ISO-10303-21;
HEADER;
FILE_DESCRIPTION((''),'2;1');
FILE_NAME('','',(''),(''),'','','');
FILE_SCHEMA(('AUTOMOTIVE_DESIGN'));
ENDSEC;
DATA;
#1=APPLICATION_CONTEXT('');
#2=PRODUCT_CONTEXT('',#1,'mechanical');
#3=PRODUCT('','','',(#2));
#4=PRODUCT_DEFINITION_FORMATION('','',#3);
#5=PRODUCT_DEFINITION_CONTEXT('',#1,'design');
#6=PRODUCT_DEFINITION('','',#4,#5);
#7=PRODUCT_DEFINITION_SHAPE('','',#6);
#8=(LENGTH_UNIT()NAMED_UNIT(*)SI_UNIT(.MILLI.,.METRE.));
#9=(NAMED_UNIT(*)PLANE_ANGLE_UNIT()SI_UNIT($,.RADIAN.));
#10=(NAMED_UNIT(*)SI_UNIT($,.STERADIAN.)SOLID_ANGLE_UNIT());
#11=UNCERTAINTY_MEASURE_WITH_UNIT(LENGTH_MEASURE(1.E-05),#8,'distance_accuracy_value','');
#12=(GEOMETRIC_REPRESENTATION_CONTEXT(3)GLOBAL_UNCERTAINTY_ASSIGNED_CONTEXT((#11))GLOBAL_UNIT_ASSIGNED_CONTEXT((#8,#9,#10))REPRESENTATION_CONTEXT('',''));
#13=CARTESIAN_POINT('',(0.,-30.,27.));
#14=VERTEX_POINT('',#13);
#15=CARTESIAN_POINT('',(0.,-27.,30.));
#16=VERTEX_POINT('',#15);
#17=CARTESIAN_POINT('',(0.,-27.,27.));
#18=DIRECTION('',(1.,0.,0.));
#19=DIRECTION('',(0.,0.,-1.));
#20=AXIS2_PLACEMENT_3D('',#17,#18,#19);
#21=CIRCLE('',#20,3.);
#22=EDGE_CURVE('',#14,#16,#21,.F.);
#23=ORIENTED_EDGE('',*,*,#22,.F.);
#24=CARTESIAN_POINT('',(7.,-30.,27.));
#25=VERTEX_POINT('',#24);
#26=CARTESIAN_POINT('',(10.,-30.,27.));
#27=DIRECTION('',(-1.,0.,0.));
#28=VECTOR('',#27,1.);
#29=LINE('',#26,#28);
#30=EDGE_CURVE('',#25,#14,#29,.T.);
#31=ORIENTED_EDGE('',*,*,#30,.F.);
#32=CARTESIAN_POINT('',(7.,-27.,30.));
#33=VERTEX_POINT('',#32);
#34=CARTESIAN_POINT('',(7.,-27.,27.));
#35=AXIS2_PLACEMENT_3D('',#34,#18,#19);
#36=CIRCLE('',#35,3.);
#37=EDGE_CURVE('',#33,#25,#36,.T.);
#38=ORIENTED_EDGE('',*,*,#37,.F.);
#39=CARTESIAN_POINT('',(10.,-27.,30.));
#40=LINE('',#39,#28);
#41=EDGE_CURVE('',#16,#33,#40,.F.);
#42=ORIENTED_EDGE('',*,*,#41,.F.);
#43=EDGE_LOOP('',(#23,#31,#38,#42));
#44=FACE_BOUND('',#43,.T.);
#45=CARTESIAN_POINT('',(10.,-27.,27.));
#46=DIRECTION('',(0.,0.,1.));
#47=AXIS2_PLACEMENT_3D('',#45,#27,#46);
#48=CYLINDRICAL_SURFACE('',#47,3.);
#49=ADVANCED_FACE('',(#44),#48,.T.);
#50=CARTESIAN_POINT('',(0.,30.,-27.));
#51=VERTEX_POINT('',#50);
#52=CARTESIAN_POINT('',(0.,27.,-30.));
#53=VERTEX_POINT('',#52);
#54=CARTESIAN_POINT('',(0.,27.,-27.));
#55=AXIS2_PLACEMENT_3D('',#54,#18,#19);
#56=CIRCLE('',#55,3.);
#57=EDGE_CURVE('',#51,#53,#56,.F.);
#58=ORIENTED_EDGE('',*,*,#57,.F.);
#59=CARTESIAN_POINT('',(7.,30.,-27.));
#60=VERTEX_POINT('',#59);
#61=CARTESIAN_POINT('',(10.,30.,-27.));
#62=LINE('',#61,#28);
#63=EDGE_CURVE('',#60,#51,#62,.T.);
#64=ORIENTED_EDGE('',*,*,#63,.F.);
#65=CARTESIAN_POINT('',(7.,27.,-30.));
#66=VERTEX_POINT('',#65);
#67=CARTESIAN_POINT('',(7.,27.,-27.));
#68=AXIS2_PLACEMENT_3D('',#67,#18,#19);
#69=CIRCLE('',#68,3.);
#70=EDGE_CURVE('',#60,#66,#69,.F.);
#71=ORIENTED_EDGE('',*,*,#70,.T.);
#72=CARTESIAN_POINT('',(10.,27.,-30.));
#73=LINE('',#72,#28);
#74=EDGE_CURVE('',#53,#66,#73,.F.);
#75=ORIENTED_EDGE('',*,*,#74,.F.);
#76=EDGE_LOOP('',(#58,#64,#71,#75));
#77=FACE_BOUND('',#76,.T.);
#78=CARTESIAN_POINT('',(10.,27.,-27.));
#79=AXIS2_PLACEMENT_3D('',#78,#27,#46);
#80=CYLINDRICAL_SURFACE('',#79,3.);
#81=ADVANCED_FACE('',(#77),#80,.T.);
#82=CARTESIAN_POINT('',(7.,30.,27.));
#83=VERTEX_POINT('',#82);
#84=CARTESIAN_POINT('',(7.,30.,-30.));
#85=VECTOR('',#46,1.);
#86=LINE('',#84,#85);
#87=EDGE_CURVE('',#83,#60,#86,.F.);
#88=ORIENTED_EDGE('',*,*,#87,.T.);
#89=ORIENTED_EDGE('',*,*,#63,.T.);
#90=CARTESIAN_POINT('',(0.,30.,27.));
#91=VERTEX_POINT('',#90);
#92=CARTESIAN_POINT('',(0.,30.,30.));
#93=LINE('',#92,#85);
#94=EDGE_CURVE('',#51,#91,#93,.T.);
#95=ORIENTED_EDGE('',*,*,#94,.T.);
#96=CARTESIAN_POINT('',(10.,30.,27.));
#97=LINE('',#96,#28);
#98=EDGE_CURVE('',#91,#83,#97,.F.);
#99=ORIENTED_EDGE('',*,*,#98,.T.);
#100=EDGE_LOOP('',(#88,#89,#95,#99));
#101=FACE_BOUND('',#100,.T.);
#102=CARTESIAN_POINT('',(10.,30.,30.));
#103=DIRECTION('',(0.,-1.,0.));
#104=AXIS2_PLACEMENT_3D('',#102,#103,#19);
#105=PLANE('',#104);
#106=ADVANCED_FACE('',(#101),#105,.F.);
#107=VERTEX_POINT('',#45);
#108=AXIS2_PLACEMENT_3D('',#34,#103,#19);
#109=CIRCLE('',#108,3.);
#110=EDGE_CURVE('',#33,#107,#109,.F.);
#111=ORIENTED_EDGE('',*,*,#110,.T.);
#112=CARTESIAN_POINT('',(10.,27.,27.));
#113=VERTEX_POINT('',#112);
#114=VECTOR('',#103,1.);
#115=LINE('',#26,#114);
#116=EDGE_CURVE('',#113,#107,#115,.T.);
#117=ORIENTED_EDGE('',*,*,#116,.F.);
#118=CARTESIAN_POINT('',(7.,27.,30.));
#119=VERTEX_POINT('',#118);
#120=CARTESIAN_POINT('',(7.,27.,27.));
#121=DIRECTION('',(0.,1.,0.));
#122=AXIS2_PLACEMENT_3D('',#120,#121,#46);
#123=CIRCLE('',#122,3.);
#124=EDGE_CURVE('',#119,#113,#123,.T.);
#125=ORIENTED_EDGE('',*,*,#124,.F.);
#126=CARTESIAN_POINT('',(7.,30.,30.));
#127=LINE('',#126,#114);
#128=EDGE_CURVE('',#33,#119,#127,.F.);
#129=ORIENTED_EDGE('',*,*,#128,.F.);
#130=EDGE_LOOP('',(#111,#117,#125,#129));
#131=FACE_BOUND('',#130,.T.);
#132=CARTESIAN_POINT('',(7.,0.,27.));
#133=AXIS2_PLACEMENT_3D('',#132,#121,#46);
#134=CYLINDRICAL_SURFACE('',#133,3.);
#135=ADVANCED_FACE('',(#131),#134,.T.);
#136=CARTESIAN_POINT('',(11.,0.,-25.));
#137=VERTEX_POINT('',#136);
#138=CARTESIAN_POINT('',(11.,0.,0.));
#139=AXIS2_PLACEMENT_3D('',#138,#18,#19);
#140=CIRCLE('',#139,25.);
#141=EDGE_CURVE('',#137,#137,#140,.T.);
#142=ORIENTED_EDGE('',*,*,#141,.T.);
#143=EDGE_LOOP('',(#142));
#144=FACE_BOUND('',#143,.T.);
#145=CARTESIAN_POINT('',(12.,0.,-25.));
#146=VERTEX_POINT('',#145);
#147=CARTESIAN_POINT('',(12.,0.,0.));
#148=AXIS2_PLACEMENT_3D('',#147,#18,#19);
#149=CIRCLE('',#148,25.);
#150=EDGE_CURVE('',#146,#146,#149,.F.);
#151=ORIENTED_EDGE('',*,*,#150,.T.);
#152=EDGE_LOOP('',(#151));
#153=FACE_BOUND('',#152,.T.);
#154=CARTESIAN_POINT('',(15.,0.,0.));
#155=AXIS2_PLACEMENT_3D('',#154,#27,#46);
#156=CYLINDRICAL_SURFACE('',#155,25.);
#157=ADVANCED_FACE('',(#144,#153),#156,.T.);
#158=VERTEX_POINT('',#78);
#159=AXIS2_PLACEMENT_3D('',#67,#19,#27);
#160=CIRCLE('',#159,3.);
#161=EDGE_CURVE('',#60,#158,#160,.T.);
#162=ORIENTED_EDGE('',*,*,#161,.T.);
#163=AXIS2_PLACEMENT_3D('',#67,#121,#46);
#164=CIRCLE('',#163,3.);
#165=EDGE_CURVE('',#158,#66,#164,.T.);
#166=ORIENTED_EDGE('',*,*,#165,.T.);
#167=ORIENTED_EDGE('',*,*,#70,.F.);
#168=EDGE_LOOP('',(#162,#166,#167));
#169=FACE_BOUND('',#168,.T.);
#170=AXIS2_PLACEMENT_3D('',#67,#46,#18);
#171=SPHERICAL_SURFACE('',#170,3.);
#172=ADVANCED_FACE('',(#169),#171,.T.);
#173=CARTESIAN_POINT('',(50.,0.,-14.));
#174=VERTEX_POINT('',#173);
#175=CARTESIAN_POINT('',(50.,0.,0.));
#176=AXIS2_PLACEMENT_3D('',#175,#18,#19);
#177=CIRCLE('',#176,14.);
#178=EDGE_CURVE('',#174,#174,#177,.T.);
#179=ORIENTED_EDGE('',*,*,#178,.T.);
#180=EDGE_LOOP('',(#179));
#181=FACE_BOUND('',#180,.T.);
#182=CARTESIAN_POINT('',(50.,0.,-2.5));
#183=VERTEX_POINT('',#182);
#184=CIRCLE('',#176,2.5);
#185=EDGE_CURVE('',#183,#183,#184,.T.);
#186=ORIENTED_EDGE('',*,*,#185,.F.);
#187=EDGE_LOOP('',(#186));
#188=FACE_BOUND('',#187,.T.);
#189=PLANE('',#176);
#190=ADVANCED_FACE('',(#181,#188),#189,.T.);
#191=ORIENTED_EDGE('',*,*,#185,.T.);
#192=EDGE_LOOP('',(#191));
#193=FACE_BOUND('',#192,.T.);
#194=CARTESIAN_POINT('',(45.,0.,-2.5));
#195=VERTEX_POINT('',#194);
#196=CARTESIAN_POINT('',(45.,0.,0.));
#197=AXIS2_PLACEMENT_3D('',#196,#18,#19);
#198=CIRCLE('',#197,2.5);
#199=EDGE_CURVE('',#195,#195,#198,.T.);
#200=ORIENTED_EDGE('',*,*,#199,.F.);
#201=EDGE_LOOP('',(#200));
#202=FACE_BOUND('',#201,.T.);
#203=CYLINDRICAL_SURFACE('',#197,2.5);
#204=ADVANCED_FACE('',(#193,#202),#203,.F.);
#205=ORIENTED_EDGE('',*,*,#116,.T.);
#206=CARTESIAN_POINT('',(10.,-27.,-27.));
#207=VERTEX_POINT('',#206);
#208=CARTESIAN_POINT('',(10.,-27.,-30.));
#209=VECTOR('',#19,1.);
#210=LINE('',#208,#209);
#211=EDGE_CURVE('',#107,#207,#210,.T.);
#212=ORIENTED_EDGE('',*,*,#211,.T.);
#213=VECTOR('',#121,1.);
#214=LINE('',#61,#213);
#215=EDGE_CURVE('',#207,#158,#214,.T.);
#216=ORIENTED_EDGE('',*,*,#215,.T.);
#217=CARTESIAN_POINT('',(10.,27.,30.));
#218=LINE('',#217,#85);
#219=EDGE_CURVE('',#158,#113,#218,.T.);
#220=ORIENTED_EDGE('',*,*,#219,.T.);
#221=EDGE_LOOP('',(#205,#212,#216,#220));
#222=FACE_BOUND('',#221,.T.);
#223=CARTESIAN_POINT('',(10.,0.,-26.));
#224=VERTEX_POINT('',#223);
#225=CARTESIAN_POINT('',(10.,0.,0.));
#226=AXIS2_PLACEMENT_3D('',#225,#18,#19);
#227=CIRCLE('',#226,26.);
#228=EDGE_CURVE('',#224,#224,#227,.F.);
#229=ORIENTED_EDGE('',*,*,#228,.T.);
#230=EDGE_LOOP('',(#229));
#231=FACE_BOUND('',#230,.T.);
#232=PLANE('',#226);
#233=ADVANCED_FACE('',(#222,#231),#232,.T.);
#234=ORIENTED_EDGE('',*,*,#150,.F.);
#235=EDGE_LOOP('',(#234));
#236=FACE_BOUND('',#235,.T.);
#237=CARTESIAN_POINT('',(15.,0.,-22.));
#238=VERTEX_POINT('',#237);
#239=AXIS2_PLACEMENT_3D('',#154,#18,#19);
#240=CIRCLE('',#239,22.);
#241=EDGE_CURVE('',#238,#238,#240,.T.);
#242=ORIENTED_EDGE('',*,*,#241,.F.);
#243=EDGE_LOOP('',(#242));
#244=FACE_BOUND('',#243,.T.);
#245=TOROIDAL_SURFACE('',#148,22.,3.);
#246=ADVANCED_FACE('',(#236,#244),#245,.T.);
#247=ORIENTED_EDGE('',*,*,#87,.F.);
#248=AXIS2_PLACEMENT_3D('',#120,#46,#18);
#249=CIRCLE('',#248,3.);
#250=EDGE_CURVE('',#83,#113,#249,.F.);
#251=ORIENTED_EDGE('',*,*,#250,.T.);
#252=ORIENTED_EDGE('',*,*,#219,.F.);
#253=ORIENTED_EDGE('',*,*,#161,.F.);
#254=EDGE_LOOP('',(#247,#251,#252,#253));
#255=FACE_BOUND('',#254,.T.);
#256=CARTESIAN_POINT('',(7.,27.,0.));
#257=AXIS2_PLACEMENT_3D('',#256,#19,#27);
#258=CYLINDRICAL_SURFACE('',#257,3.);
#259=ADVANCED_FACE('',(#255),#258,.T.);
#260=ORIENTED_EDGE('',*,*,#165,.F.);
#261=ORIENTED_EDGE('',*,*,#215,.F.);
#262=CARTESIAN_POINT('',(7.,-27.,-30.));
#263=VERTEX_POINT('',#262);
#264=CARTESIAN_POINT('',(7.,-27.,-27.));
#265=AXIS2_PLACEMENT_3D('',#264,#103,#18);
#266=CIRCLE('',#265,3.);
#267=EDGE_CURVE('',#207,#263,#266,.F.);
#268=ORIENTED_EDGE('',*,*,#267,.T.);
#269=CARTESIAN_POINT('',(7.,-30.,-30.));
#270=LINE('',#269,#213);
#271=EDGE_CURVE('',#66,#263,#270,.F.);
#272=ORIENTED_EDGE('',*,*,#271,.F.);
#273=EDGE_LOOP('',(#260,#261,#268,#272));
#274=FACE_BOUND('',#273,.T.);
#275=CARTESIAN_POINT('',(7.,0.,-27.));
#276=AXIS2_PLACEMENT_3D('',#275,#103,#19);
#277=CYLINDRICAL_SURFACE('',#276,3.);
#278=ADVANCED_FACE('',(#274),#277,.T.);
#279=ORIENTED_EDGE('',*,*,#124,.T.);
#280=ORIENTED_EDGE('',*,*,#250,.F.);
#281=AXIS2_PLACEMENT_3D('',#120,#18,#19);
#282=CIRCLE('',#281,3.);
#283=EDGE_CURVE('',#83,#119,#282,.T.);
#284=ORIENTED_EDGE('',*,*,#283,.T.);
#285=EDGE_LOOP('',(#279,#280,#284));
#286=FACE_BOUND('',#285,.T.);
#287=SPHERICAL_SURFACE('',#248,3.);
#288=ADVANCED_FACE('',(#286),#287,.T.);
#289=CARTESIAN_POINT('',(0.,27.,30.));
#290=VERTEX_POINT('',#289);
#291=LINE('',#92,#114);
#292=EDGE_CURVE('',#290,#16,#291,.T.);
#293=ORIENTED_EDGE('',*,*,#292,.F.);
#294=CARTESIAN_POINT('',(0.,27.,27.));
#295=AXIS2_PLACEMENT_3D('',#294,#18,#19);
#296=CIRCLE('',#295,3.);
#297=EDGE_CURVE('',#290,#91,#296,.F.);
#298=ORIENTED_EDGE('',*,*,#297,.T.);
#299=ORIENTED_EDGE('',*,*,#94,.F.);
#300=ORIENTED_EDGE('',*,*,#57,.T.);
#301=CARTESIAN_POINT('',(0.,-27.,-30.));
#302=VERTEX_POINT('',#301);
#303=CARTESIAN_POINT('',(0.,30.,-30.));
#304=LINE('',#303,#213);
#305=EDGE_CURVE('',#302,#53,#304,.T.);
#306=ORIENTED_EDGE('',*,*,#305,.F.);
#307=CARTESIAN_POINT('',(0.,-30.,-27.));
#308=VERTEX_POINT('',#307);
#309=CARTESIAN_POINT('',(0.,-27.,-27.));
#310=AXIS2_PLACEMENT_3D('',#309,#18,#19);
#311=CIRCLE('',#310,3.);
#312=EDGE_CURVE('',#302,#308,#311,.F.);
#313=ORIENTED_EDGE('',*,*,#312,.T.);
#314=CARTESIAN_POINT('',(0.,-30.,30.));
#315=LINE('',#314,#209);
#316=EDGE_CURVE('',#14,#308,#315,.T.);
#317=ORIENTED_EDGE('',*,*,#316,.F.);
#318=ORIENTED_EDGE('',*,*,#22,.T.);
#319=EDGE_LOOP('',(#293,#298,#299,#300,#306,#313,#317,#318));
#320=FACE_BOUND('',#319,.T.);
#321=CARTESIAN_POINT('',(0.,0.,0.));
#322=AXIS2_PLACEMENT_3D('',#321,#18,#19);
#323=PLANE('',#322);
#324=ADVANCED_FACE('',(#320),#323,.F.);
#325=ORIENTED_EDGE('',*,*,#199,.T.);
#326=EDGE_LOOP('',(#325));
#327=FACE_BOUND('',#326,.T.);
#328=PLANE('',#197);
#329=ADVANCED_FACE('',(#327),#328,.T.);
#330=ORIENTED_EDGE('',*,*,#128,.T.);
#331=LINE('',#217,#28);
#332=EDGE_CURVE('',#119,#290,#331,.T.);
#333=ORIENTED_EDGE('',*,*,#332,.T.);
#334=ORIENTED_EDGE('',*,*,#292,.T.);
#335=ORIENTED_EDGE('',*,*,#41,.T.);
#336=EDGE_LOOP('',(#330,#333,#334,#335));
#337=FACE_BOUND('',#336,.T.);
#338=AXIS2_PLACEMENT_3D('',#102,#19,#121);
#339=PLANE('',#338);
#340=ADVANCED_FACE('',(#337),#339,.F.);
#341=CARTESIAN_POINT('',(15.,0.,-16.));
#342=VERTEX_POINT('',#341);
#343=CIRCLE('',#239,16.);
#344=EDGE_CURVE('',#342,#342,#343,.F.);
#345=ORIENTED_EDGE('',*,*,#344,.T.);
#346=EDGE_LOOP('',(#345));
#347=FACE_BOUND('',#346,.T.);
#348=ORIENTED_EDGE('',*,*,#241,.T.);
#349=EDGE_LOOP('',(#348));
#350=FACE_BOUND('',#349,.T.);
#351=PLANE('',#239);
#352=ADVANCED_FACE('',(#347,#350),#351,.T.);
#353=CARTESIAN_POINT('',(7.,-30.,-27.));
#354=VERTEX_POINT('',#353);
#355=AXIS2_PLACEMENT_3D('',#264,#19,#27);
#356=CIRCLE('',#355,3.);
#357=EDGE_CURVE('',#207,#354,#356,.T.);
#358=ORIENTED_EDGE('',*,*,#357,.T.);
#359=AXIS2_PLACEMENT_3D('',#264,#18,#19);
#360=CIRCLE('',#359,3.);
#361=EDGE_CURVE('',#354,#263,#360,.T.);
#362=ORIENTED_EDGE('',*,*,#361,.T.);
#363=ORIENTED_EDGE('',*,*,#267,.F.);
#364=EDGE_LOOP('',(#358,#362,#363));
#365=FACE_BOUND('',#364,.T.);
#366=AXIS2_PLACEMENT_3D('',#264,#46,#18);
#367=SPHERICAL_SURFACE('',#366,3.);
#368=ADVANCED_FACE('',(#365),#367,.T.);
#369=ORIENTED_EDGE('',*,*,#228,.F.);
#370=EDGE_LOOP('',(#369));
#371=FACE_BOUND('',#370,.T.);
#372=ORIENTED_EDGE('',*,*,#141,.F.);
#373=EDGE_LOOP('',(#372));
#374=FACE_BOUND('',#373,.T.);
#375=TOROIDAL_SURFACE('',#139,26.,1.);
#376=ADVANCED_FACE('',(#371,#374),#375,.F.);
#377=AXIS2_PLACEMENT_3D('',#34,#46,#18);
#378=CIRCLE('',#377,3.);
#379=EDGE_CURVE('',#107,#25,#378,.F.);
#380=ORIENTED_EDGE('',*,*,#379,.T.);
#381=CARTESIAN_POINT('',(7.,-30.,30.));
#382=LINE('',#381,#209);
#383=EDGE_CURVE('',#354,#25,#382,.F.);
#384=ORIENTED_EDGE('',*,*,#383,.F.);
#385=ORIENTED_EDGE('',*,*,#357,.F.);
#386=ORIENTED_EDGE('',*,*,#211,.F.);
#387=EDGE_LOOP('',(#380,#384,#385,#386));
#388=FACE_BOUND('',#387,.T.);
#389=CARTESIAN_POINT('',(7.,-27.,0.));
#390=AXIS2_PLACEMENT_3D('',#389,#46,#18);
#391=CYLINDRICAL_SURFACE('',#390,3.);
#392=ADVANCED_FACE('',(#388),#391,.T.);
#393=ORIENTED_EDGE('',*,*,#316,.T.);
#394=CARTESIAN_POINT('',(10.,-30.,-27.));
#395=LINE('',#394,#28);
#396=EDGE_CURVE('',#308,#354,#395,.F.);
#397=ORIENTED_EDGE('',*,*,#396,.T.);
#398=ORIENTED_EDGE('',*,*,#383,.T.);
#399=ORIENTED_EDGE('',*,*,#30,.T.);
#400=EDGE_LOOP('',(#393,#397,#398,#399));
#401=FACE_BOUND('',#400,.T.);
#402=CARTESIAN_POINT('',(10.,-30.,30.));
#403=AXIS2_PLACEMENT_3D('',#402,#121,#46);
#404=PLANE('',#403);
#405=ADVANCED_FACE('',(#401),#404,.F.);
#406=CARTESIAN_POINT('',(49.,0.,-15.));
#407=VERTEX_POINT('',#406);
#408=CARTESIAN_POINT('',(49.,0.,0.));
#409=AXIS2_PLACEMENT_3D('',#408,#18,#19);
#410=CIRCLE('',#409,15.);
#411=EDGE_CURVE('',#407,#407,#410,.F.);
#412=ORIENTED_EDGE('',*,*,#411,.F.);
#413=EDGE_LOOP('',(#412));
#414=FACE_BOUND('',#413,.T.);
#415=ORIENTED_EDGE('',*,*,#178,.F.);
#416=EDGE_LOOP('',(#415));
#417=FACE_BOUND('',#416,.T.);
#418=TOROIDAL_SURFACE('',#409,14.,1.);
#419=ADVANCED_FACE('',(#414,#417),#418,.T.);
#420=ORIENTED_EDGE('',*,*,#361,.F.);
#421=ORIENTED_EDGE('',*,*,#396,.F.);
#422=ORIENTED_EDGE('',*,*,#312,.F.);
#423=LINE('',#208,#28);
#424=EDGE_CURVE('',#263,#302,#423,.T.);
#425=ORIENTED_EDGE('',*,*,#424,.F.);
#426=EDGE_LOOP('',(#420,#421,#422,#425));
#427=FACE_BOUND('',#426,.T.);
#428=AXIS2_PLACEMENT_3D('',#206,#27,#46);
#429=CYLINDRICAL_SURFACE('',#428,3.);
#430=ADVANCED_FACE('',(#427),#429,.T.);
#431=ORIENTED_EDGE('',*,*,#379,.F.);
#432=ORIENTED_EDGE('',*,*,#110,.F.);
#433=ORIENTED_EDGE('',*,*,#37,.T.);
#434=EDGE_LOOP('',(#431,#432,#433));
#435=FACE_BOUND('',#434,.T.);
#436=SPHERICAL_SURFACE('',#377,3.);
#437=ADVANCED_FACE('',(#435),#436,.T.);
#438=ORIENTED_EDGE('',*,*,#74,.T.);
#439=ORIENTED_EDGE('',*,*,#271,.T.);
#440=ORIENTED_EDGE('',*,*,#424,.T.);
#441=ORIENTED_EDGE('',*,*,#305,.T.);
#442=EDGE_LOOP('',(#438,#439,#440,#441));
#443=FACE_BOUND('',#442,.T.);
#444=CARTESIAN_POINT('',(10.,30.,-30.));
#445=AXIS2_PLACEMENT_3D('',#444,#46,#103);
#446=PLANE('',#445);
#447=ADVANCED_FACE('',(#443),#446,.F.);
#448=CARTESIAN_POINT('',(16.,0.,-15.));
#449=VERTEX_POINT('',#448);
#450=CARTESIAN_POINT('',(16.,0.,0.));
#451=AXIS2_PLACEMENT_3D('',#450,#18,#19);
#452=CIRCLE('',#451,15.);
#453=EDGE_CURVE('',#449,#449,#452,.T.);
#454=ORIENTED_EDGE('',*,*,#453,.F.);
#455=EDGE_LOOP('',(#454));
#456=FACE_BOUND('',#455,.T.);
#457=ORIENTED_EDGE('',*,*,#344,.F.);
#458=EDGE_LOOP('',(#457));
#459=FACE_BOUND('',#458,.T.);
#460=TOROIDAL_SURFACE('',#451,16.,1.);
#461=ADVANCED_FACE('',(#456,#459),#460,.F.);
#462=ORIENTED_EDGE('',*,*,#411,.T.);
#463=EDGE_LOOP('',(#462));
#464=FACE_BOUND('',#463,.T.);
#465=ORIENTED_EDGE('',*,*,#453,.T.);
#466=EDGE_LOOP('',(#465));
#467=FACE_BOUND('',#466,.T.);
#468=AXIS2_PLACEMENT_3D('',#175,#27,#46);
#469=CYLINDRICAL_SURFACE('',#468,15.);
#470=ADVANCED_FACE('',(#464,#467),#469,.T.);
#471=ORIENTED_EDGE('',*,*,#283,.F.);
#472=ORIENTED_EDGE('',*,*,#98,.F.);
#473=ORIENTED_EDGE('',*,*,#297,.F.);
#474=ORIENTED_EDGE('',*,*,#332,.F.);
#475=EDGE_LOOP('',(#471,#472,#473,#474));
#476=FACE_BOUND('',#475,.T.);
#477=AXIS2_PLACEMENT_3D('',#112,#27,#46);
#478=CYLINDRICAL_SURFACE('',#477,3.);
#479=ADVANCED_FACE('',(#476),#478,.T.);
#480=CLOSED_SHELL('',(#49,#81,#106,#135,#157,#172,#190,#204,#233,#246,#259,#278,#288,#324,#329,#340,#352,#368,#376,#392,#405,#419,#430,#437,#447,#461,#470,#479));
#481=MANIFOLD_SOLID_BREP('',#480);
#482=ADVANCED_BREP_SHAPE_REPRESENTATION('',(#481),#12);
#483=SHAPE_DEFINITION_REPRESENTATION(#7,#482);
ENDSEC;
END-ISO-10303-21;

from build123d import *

# Parameters (mm, degrees)
SKETCH1_W           = 60
SKETCH1_H           = 60
BOSS_EXTRUDE1_DEPTH = 10
SKETCH2_R           = 25
BOSS_EXTRUDE2_DEPTH = 5
SKETCH3_R           = 15
BOSS_EXTRUDE3_DEPTH = 35
SKETCH4_R           = 2.5
CUT_EXTRUDE1_DEPTH  = 5
FILLET1_R           = 3
FILLET2_R           = 3
FILLET3_R           = 1


with BuildPart() as part:
    # Sketch1 → Boss-Extrude1 (new body)
    with BuildSketch(Plane(origin=(0, 0, 0), x_dir=(0, 0, -1), z_dir=(1, 0, 0))):
        Rectangle(SKETCH1_W, SKETCH1_H)
    extrude(amount=BOSS_EXTRUDE1_DEPTH)

    # Sketch2 → Boss-Extrude2 (add)
    with BuildSketch(Plane(origin=(10, 0, 0), x_dir=(0, 0, -1), z_dir=(1, 0, 0))):
        Circle(SKETCH2_R)
    extrude(amount=BOSS_EXTRUDE2_DEPTH)

    # Sketch3 → Boss-Extrude3 (add)
    with BuildSketch(Plane(origin=(15, 0, 0), x_dir=(0, 0, -1), z_dir=(1, 0, 0))):
        Circle(SKETCH3_R)
    extrude(amount=BOSS_EXTRUDE3_DEPTH)

    # Sketch4 → Cut-Extrude1 (cut)
    with BuildSketch(Plane(origin=(50, 0, 0), x_dir=(0, 0, -1), z_dir=(1, 0, 0))):
        Circle(SKETCH4_R)
    extrude(amount=-CUT_EXTRUDE1_DEPTH, mode=Mode.SUBTRACT)

    # Fillet1
    fillet1_edges = [part.edges().sort_by_distance(p)[0] for p in [
        (10, 0, 30),
        (10, -30, 0),
        (10, 0, -30),
        (5, -30, -30),
        (5, -30, 30),
        (5, 30, 30),
        (5, 30, -30),
        (10, 30, 0),
    ]]
    fillet(fillet1_edges, radius=FILLET1_R)

    # Fillet2
    fillet2_edges = [part.edges().sort_by_distance(p)[0] for p in [
        (15, 0, 25),
    ]]
    fillet(fillet2_edges, radius=FILLET2_R)

    # Fillet3
    fillet3_edges = [part.edges().sort_by_distance(p)[0] for p in [
        (10, 0, 25),
        (15, 0, 15),
        (50, 0, 15),
    ]]
    fillet(fillet3_edges, radius=FILLET3_R)


solid = part.part
